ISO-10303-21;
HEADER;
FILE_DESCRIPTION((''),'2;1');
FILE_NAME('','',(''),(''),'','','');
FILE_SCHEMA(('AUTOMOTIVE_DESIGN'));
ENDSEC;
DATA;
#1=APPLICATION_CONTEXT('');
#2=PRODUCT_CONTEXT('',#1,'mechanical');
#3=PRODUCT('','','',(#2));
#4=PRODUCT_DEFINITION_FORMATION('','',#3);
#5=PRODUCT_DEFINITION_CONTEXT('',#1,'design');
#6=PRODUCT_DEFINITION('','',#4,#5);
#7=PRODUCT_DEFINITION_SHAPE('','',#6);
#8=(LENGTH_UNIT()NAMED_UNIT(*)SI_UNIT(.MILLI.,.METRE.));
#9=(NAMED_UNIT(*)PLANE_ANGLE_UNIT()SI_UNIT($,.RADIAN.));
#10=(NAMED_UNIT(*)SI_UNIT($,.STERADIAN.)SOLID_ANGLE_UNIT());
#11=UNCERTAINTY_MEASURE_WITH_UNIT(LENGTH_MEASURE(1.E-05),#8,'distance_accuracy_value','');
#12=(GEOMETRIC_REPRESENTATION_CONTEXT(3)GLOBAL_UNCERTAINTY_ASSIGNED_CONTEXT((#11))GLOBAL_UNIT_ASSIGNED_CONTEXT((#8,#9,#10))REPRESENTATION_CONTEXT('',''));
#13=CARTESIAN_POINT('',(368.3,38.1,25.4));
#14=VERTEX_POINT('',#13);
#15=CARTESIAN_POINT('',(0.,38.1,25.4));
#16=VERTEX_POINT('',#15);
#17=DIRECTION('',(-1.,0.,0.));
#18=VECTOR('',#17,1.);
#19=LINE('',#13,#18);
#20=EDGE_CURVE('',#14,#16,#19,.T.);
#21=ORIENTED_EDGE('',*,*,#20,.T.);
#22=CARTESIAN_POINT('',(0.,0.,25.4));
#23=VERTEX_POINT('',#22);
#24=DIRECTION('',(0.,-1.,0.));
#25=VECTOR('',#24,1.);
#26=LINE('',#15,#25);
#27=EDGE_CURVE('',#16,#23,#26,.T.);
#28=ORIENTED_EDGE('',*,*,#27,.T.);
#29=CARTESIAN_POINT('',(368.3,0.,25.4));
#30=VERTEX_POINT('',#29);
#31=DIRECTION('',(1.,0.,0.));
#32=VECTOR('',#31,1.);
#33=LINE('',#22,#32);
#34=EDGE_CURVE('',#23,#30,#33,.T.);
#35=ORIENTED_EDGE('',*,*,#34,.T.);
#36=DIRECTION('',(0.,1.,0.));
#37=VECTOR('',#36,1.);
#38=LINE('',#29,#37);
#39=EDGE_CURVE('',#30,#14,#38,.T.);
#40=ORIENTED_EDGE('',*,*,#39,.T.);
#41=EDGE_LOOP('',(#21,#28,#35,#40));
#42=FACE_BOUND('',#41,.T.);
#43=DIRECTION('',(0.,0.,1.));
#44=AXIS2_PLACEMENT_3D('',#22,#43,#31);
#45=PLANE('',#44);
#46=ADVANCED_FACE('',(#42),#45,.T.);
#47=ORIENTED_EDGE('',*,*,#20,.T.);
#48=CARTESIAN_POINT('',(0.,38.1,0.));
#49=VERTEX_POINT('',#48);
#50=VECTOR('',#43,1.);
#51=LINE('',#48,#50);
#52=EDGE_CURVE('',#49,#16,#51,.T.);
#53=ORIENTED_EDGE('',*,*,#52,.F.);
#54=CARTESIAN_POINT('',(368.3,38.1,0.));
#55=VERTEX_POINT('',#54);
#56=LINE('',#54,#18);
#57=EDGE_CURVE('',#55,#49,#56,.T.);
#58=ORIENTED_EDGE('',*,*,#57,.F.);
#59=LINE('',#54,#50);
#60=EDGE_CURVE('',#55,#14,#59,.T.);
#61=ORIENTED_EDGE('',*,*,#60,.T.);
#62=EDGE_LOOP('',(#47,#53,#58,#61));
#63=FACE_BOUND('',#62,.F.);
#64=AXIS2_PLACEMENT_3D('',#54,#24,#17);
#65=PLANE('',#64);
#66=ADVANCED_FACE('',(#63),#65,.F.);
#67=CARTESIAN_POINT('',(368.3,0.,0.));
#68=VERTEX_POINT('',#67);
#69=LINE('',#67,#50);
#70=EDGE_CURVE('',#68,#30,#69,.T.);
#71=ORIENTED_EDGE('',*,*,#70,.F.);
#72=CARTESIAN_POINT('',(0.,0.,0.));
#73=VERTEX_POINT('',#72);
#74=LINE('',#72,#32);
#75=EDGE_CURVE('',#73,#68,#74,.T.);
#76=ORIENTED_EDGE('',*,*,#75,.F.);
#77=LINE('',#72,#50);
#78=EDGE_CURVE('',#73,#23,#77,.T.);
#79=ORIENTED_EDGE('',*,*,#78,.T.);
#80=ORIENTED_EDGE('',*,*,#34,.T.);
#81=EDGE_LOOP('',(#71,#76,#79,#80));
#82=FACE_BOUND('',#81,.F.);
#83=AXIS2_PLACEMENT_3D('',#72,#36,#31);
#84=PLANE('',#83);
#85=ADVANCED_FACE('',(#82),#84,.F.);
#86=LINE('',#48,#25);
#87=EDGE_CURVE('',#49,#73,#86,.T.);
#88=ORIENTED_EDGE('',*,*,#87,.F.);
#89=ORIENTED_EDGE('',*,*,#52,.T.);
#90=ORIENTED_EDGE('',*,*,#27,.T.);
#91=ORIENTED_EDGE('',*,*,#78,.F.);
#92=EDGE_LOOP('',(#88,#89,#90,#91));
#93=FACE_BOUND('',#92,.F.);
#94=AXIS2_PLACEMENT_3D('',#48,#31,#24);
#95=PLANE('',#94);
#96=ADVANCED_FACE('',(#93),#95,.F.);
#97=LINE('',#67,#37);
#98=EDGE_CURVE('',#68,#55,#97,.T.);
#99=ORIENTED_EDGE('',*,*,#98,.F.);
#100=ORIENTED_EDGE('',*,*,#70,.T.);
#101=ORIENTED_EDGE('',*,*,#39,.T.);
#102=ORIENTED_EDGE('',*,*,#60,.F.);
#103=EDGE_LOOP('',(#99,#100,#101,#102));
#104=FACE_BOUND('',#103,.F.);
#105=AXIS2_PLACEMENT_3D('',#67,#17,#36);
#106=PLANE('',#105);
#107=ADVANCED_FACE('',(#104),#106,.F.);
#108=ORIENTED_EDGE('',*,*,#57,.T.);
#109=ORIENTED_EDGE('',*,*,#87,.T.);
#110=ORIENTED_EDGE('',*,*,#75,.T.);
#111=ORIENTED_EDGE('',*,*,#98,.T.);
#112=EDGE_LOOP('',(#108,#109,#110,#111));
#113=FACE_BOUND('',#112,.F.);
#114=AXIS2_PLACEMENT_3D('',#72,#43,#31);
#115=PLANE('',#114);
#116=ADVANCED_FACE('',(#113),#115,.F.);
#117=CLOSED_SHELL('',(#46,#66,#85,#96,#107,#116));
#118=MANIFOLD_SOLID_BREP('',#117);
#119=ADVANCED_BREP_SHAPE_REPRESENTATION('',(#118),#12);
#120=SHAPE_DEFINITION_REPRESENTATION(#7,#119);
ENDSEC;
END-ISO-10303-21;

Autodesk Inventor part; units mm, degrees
ref_plane "YZ Plane" through (0, 0, 0) normal (1, 0, 0) x (0, 1, 0)
ref_plane "XZ Plane" through (0, 0, 0) normal (0, 1, 0) x (-1, 0, 0)
ref_plane "XY Plane" through (0, 0, 0) normal (0, 0, 1) x (1, 0, 0)
sketch "Sketch1" plane through (0, 0, 0) normal (0, 0, 1) x (1, 0, 0)
  line L0 (0, 0) -> (368.3, 0)
  line L1 (368.3, 0) -> (368.3, 38.1)
  line L2 (368.3, 38.1) -> (0, 38.1)
  line L3 (0, 38.1) -> (0, 0)
  dimension "d2" = 38.1
  dimension "d3" = 368.3
extrude "Extrusion1" add sketch "Sketch1" along normal blind 25.4
properties part number "Fascia_Vent_With_Length_14.5_Inches" material "ABS Plastic"
